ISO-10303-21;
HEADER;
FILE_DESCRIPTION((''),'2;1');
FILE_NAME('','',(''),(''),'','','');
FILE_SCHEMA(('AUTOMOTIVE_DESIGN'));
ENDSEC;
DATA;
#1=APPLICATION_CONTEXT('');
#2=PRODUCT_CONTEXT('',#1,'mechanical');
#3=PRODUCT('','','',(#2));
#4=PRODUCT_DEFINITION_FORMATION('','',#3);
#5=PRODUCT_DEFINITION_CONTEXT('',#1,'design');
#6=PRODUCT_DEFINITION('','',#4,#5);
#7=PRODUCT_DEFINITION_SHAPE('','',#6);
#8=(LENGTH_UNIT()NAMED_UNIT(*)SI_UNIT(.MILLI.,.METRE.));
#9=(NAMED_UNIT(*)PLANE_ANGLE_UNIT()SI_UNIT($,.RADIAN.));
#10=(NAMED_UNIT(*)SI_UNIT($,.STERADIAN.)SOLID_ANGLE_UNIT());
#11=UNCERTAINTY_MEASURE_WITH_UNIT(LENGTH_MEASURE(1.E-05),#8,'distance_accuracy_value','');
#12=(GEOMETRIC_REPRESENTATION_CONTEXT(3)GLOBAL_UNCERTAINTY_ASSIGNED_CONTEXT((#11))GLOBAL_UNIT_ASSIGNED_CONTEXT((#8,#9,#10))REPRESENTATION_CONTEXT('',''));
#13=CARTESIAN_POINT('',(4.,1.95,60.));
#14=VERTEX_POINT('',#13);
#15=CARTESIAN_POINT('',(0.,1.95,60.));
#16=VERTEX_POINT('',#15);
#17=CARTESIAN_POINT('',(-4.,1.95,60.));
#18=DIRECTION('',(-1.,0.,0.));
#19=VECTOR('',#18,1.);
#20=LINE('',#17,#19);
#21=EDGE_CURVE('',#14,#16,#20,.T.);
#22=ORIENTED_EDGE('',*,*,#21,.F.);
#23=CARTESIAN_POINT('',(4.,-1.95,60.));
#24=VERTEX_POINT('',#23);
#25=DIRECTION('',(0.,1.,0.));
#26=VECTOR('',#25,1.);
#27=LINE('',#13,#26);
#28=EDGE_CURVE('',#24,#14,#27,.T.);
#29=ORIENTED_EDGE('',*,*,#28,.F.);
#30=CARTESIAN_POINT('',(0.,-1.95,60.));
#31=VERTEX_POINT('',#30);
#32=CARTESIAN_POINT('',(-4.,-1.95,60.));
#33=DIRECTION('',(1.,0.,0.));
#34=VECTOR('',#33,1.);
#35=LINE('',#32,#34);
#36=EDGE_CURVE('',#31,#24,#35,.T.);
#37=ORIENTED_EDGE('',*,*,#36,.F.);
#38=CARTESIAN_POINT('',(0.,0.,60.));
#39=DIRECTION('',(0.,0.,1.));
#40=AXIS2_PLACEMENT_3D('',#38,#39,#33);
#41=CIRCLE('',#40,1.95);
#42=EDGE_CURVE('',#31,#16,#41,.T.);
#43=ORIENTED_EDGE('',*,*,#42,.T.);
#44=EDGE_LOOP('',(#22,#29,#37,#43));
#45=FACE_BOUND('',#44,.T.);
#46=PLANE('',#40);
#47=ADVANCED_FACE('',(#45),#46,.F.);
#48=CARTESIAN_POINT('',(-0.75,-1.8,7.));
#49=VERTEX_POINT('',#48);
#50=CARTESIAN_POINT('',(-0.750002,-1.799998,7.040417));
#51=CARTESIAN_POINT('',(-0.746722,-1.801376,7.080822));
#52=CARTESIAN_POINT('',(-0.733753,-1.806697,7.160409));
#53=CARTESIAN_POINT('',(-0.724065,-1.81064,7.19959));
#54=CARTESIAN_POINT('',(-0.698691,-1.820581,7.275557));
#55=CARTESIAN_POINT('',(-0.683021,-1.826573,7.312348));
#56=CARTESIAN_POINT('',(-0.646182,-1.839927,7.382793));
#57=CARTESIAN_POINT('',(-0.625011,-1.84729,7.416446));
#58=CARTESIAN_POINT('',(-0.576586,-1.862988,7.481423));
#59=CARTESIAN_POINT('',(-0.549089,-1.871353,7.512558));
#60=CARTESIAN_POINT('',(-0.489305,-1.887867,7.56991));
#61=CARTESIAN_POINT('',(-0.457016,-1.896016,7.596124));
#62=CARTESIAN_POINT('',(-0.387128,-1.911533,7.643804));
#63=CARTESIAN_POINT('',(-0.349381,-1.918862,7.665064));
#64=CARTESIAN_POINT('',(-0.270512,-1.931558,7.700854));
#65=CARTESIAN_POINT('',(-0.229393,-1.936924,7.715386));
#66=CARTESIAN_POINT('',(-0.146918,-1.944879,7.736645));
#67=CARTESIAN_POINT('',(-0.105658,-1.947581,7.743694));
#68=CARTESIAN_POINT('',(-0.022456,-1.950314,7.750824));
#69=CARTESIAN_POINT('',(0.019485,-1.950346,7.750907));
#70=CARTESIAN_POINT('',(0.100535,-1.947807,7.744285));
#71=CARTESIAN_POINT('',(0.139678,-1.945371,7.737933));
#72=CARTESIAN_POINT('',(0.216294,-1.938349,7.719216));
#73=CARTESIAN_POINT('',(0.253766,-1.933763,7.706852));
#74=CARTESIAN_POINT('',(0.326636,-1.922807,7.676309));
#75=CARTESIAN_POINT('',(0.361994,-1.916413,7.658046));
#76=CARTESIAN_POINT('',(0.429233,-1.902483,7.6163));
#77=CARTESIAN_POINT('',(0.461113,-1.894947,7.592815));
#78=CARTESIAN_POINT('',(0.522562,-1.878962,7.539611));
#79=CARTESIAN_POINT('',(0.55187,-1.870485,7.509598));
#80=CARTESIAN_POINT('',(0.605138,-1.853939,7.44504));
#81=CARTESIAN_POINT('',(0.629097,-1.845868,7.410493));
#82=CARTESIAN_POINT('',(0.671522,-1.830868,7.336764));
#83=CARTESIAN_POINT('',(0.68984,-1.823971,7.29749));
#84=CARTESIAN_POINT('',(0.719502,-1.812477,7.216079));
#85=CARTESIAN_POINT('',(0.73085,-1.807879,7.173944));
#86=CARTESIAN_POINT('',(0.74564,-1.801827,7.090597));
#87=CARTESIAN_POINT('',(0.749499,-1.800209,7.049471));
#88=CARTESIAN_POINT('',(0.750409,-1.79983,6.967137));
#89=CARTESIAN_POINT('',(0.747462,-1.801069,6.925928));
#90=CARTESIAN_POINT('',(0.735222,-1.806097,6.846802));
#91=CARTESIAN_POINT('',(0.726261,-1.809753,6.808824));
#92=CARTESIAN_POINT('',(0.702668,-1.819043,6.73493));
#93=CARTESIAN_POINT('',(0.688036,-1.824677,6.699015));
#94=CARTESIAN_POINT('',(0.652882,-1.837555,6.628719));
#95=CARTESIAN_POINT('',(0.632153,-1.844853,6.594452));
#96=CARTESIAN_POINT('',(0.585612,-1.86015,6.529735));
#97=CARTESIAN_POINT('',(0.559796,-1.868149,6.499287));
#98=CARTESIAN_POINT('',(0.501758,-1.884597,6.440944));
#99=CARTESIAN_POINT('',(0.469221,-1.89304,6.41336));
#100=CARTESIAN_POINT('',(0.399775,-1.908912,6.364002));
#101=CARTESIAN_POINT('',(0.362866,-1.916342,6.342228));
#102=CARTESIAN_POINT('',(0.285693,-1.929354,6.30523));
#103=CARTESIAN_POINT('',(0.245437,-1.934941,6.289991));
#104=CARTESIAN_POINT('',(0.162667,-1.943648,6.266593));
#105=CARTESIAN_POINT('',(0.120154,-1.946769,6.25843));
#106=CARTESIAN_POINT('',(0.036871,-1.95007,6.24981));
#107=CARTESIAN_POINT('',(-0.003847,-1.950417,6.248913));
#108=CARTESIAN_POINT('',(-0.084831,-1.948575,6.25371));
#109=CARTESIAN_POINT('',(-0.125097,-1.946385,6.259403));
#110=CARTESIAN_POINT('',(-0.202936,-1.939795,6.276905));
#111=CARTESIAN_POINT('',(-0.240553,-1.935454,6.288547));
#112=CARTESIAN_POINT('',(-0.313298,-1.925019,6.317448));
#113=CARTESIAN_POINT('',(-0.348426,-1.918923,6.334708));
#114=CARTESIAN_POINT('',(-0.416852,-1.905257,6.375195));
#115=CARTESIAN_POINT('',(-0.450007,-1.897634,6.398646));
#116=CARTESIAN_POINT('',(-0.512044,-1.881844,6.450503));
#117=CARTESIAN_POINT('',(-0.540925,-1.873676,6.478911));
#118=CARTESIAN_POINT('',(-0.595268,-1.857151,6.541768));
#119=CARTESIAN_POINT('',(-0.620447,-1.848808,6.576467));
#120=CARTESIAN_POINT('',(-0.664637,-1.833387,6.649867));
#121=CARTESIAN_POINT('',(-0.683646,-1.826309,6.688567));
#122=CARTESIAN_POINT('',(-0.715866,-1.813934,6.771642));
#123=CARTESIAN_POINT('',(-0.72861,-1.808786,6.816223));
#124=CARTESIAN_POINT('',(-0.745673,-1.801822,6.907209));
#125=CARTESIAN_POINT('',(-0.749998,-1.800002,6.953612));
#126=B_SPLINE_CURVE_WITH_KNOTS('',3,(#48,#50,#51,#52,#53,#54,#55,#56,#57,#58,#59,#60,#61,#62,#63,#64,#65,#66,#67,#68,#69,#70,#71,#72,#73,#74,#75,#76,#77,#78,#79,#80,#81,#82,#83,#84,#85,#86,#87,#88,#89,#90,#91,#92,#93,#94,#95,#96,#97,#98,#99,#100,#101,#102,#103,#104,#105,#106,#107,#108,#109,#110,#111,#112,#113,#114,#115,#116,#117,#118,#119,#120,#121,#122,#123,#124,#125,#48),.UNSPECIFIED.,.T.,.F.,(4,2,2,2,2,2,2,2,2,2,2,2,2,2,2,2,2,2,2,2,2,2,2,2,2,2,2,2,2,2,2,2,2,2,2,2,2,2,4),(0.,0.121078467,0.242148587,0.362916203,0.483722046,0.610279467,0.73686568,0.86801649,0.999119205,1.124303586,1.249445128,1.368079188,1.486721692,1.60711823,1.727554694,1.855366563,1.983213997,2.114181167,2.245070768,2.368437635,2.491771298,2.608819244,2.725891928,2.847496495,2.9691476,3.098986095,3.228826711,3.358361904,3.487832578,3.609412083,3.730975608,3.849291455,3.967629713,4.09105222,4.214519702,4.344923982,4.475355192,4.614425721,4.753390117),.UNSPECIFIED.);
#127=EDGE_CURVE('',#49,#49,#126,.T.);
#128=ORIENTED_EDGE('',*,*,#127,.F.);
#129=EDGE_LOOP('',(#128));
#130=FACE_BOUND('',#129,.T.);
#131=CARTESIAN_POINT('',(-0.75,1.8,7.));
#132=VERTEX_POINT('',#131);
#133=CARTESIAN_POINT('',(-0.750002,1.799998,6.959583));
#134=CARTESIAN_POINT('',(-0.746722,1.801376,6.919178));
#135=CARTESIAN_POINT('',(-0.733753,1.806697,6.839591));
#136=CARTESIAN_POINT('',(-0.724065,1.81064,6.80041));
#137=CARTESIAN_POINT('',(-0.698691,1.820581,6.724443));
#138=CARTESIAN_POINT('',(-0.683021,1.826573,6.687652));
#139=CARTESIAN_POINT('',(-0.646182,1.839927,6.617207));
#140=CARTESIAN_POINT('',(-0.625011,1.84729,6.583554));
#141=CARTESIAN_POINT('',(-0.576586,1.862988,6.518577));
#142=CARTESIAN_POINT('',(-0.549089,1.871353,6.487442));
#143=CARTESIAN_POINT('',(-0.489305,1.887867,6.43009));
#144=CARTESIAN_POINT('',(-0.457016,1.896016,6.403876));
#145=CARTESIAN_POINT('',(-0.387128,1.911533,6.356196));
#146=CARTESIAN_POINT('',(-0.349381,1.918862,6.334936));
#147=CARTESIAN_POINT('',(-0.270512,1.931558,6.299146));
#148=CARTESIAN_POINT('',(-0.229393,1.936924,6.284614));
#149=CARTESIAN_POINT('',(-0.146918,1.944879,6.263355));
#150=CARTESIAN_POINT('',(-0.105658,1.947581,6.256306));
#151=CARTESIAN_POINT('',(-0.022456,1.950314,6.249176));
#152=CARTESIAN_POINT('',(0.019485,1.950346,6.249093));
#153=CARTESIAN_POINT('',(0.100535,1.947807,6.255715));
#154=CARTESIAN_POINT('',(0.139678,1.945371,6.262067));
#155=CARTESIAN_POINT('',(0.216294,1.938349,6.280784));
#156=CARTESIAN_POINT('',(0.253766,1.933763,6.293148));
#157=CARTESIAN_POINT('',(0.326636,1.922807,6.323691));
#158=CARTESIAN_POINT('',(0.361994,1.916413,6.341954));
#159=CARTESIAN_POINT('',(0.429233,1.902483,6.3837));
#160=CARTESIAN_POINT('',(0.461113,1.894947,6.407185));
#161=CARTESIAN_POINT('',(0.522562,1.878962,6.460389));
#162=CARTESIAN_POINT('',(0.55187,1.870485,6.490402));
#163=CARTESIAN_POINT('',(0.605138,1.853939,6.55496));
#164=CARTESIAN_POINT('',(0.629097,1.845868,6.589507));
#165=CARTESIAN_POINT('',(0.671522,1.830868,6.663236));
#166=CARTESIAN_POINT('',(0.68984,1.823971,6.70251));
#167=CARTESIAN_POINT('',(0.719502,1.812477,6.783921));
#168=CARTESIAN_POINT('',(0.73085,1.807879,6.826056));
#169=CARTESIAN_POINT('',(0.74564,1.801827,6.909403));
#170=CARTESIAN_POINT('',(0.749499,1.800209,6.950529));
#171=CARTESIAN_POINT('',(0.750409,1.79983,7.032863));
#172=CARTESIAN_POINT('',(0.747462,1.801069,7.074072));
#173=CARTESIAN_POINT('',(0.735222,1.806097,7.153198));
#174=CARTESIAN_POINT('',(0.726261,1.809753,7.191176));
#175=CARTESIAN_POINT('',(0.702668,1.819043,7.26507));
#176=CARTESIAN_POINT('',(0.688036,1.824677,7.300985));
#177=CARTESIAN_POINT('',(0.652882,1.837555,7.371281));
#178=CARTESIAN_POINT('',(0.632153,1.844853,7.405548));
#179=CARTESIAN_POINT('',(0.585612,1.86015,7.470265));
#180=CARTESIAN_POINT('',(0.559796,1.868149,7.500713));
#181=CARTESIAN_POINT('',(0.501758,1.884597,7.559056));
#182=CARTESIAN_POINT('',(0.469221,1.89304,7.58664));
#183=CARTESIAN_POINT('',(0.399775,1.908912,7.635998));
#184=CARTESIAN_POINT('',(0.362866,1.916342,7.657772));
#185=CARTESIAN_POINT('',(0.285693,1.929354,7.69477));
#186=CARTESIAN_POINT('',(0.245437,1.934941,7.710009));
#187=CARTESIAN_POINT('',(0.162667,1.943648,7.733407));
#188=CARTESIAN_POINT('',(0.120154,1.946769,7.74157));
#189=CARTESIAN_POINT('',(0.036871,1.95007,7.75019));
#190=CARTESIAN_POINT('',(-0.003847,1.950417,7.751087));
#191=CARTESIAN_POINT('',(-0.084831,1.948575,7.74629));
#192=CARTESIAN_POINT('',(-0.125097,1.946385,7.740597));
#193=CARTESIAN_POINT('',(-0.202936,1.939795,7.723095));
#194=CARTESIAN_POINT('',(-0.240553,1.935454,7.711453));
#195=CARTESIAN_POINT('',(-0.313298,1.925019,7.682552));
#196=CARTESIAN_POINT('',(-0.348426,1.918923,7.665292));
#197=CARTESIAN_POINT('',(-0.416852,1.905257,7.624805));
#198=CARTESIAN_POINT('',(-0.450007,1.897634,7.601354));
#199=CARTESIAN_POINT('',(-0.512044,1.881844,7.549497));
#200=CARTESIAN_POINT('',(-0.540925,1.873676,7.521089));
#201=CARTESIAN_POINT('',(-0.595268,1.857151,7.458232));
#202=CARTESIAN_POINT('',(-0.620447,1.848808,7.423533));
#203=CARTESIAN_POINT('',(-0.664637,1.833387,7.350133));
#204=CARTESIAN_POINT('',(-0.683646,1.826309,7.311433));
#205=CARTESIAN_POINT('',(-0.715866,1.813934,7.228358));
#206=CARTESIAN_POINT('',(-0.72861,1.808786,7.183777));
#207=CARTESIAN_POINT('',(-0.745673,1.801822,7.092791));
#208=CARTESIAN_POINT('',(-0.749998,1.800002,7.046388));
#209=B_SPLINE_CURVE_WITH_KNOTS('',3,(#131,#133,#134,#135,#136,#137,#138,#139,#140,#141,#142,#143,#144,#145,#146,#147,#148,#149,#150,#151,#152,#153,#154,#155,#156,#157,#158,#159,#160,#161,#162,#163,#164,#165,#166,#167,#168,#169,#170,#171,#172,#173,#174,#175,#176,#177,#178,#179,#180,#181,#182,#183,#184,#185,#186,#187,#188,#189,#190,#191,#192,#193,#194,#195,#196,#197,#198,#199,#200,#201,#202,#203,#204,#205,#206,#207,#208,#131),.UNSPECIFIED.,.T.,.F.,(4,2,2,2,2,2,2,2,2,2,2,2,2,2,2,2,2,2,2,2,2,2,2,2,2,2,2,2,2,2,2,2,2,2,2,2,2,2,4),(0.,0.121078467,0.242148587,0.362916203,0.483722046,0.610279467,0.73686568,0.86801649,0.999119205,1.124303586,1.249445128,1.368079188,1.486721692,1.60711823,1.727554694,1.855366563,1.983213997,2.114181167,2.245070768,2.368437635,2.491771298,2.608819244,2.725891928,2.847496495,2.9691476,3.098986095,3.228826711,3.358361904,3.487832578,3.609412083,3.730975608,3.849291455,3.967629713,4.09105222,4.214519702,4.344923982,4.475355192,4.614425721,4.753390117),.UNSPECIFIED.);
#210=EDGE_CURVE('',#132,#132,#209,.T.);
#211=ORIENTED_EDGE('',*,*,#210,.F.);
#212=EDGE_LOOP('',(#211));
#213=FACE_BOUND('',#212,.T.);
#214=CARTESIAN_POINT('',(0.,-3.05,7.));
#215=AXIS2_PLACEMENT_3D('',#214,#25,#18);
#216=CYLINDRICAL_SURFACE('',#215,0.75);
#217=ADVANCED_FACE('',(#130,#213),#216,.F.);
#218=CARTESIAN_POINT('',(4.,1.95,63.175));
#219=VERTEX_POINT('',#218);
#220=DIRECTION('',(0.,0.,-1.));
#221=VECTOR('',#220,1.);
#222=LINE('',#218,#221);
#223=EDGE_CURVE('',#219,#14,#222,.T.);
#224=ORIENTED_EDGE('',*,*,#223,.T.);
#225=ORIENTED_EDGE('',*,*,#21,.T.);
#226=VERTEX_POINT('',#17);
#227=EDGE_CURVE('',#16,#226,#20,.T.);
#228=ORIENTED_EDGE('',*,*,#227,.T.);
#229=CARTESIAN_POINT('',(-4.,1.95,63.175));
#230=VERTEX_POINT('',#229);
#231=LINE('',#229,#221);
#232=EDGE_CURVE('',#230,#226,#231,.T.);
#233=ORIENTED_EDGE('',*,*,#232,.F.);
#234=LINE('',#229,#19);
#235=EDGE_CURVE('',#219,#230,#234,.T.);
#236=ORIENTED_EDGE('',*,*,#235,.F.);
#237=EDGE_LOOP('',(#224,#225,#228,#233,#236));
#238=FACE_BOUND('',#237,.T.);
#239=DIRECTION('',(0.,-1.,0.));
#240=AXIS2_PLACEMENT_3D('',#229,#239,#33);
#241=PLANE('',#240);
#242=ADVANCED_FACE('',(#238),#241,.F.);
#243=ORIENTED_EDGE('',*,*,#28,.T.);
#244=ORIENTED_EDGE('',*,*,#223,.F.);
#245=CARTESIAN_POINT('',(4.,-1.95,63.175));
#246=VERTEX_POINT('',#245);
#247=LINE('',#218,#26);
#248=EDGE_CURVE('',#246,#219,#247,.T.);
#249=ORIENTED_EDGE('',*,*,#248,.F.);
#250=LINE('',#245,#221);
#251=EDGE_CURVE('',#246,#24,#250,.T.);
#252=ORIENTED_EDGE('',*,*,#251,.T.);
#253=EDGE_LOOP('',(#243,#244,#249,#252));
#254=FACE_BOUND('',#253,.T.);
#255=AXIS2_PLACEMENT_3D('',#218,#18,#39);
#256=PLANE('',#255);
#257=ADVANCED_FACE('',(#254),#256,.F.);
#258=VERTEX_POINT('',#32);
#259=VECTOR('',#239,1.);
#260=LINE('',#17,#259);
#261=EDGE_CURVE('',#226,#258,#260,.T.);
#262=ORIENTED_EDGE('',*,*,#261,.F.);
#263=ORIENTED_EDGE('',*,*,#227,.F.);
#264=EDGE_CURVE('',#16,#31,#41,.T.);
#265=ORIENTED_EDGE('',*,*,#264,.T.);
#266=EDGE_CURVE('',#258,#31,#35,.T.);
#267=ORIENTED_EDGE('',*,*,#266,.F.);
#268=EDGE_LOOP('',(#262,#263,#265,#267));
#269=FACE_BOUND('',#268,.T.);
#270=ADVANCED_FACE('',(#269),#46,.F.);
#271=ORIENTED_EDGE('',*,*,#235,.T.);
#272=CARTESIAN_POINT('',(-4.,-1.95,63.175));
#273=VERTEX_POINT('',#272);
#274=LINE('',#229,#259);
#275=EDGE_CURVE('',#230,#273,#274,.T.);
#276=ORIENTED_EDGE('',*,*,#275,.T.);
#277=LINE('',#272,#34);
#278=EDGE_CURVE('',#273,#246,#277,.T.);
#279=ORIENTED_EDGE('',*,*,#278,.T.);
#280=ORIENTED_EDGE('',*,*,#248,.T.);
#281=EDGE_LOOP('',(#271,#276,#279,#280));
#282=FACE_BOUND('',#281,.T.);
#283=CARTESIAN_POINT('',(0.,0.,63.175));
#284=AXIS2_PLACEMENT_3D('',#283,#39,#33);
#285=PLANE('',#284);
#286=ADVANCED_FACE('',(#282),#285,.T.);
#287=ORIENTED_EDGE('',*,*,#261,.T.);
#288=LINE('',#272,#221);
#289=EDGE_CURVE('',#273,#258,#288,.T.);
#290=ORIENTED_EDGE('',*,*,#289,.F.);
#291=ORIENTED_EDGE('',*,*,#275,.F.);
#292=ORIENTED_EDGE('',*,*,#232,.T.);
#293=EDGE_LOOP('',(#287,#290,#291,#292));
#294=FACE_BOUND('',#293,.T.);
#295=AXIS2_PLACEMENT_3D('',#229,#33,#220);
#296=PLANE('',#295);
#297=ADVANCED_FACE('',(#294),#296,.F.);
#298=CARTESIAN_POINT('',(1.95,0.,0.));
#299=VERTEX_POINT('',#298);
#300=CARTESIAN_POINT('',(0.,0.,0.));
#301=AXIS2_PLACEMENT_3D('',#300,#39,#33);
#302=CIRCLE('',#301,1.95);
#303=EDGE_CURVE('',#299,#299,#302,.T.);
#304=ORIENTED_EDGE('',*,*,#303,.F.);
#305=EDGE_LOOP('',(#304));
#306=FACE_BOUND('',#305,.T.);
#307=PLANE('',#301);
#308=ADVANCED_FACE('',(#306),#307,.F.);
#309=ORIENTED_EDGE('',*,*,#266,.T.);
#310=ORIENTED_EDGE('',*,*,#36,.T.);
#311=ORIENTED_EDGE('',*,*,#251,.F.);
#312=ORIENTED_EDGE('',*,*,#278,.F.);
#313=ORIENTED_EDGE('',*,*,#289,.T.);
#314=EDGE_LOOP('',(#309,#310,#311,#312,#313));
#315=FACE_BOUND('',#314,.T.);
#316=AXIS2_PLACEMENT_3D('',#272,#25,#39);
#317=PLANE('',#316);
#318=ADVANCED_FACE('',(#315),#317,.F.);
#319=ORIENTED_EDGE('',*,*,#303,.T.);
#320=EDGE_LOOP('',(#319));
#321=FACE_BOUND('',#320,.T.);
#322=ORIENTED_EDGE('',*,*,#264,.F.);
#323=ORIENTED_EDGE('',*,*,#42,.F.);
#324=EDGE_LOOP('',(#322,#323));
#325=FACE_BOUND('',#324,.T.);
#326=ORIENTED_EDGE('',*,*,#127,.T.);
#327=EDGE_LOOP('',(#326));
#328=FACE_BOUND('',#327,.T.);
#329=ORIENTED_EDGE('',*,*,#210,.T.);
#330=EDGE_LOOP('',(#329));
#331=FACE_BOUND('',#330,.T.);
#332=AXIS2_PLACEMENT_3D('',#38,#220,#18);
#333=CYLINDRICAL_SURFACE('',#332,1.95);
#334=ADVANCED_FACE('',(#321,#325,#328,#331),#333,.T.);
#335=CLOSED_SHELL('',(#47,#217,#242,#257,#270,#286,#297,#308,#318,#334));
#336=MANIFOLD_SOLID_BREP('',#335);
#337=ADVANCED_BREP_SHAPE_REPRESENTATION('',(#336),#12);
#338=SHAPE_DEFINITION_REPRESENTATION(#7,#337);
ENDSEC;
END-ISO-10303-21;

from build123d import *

# Parameters (mm, degrees)
SKETCH1_R           = 1.95
BOSS_EXTRUDE1_DEPTH = 60
SKETCH2_W           = 8
SKETCH2_H           = 3.9
BOSS_EXTRUDE2_DEPTH = 3.175
SKETCH3_R           = 0.75
CUT_EXTRUDE1_DEPTH  = 5


with BuildPart() as part:
    # Sketch1 → Boss-Extrude1 (new body)
    with BuildSketch(Plane.XY):
        Circle(SKETCH1_R)
    extrude(amount=BOSS_EXTRUDE1_DEPTH)

    # Sketch2 → Boss-Extrude2 (add)
    with BuildSketch(Plane.XY.offset(60)):
        Rectangle(SKETCH2_W, SKETCH2_H)
    extrude(amount=BOSS_EXTRUDE2_DEPTH)

    # Sketch3 → Cut-Extrude1 (cut)
    with BuildSketch(Plane(origin=(0, 1.95, 0), x_dir=(1, 0, 0), z_dir=(0, 1, 0))):
        with Locations((0, -7)):
            Circle(SKETCH3_R)
    extrude(amount=-CUT_EXTRUDE1_DEPTH, mode=Mode.SUBTRACT)


solid = part.part
